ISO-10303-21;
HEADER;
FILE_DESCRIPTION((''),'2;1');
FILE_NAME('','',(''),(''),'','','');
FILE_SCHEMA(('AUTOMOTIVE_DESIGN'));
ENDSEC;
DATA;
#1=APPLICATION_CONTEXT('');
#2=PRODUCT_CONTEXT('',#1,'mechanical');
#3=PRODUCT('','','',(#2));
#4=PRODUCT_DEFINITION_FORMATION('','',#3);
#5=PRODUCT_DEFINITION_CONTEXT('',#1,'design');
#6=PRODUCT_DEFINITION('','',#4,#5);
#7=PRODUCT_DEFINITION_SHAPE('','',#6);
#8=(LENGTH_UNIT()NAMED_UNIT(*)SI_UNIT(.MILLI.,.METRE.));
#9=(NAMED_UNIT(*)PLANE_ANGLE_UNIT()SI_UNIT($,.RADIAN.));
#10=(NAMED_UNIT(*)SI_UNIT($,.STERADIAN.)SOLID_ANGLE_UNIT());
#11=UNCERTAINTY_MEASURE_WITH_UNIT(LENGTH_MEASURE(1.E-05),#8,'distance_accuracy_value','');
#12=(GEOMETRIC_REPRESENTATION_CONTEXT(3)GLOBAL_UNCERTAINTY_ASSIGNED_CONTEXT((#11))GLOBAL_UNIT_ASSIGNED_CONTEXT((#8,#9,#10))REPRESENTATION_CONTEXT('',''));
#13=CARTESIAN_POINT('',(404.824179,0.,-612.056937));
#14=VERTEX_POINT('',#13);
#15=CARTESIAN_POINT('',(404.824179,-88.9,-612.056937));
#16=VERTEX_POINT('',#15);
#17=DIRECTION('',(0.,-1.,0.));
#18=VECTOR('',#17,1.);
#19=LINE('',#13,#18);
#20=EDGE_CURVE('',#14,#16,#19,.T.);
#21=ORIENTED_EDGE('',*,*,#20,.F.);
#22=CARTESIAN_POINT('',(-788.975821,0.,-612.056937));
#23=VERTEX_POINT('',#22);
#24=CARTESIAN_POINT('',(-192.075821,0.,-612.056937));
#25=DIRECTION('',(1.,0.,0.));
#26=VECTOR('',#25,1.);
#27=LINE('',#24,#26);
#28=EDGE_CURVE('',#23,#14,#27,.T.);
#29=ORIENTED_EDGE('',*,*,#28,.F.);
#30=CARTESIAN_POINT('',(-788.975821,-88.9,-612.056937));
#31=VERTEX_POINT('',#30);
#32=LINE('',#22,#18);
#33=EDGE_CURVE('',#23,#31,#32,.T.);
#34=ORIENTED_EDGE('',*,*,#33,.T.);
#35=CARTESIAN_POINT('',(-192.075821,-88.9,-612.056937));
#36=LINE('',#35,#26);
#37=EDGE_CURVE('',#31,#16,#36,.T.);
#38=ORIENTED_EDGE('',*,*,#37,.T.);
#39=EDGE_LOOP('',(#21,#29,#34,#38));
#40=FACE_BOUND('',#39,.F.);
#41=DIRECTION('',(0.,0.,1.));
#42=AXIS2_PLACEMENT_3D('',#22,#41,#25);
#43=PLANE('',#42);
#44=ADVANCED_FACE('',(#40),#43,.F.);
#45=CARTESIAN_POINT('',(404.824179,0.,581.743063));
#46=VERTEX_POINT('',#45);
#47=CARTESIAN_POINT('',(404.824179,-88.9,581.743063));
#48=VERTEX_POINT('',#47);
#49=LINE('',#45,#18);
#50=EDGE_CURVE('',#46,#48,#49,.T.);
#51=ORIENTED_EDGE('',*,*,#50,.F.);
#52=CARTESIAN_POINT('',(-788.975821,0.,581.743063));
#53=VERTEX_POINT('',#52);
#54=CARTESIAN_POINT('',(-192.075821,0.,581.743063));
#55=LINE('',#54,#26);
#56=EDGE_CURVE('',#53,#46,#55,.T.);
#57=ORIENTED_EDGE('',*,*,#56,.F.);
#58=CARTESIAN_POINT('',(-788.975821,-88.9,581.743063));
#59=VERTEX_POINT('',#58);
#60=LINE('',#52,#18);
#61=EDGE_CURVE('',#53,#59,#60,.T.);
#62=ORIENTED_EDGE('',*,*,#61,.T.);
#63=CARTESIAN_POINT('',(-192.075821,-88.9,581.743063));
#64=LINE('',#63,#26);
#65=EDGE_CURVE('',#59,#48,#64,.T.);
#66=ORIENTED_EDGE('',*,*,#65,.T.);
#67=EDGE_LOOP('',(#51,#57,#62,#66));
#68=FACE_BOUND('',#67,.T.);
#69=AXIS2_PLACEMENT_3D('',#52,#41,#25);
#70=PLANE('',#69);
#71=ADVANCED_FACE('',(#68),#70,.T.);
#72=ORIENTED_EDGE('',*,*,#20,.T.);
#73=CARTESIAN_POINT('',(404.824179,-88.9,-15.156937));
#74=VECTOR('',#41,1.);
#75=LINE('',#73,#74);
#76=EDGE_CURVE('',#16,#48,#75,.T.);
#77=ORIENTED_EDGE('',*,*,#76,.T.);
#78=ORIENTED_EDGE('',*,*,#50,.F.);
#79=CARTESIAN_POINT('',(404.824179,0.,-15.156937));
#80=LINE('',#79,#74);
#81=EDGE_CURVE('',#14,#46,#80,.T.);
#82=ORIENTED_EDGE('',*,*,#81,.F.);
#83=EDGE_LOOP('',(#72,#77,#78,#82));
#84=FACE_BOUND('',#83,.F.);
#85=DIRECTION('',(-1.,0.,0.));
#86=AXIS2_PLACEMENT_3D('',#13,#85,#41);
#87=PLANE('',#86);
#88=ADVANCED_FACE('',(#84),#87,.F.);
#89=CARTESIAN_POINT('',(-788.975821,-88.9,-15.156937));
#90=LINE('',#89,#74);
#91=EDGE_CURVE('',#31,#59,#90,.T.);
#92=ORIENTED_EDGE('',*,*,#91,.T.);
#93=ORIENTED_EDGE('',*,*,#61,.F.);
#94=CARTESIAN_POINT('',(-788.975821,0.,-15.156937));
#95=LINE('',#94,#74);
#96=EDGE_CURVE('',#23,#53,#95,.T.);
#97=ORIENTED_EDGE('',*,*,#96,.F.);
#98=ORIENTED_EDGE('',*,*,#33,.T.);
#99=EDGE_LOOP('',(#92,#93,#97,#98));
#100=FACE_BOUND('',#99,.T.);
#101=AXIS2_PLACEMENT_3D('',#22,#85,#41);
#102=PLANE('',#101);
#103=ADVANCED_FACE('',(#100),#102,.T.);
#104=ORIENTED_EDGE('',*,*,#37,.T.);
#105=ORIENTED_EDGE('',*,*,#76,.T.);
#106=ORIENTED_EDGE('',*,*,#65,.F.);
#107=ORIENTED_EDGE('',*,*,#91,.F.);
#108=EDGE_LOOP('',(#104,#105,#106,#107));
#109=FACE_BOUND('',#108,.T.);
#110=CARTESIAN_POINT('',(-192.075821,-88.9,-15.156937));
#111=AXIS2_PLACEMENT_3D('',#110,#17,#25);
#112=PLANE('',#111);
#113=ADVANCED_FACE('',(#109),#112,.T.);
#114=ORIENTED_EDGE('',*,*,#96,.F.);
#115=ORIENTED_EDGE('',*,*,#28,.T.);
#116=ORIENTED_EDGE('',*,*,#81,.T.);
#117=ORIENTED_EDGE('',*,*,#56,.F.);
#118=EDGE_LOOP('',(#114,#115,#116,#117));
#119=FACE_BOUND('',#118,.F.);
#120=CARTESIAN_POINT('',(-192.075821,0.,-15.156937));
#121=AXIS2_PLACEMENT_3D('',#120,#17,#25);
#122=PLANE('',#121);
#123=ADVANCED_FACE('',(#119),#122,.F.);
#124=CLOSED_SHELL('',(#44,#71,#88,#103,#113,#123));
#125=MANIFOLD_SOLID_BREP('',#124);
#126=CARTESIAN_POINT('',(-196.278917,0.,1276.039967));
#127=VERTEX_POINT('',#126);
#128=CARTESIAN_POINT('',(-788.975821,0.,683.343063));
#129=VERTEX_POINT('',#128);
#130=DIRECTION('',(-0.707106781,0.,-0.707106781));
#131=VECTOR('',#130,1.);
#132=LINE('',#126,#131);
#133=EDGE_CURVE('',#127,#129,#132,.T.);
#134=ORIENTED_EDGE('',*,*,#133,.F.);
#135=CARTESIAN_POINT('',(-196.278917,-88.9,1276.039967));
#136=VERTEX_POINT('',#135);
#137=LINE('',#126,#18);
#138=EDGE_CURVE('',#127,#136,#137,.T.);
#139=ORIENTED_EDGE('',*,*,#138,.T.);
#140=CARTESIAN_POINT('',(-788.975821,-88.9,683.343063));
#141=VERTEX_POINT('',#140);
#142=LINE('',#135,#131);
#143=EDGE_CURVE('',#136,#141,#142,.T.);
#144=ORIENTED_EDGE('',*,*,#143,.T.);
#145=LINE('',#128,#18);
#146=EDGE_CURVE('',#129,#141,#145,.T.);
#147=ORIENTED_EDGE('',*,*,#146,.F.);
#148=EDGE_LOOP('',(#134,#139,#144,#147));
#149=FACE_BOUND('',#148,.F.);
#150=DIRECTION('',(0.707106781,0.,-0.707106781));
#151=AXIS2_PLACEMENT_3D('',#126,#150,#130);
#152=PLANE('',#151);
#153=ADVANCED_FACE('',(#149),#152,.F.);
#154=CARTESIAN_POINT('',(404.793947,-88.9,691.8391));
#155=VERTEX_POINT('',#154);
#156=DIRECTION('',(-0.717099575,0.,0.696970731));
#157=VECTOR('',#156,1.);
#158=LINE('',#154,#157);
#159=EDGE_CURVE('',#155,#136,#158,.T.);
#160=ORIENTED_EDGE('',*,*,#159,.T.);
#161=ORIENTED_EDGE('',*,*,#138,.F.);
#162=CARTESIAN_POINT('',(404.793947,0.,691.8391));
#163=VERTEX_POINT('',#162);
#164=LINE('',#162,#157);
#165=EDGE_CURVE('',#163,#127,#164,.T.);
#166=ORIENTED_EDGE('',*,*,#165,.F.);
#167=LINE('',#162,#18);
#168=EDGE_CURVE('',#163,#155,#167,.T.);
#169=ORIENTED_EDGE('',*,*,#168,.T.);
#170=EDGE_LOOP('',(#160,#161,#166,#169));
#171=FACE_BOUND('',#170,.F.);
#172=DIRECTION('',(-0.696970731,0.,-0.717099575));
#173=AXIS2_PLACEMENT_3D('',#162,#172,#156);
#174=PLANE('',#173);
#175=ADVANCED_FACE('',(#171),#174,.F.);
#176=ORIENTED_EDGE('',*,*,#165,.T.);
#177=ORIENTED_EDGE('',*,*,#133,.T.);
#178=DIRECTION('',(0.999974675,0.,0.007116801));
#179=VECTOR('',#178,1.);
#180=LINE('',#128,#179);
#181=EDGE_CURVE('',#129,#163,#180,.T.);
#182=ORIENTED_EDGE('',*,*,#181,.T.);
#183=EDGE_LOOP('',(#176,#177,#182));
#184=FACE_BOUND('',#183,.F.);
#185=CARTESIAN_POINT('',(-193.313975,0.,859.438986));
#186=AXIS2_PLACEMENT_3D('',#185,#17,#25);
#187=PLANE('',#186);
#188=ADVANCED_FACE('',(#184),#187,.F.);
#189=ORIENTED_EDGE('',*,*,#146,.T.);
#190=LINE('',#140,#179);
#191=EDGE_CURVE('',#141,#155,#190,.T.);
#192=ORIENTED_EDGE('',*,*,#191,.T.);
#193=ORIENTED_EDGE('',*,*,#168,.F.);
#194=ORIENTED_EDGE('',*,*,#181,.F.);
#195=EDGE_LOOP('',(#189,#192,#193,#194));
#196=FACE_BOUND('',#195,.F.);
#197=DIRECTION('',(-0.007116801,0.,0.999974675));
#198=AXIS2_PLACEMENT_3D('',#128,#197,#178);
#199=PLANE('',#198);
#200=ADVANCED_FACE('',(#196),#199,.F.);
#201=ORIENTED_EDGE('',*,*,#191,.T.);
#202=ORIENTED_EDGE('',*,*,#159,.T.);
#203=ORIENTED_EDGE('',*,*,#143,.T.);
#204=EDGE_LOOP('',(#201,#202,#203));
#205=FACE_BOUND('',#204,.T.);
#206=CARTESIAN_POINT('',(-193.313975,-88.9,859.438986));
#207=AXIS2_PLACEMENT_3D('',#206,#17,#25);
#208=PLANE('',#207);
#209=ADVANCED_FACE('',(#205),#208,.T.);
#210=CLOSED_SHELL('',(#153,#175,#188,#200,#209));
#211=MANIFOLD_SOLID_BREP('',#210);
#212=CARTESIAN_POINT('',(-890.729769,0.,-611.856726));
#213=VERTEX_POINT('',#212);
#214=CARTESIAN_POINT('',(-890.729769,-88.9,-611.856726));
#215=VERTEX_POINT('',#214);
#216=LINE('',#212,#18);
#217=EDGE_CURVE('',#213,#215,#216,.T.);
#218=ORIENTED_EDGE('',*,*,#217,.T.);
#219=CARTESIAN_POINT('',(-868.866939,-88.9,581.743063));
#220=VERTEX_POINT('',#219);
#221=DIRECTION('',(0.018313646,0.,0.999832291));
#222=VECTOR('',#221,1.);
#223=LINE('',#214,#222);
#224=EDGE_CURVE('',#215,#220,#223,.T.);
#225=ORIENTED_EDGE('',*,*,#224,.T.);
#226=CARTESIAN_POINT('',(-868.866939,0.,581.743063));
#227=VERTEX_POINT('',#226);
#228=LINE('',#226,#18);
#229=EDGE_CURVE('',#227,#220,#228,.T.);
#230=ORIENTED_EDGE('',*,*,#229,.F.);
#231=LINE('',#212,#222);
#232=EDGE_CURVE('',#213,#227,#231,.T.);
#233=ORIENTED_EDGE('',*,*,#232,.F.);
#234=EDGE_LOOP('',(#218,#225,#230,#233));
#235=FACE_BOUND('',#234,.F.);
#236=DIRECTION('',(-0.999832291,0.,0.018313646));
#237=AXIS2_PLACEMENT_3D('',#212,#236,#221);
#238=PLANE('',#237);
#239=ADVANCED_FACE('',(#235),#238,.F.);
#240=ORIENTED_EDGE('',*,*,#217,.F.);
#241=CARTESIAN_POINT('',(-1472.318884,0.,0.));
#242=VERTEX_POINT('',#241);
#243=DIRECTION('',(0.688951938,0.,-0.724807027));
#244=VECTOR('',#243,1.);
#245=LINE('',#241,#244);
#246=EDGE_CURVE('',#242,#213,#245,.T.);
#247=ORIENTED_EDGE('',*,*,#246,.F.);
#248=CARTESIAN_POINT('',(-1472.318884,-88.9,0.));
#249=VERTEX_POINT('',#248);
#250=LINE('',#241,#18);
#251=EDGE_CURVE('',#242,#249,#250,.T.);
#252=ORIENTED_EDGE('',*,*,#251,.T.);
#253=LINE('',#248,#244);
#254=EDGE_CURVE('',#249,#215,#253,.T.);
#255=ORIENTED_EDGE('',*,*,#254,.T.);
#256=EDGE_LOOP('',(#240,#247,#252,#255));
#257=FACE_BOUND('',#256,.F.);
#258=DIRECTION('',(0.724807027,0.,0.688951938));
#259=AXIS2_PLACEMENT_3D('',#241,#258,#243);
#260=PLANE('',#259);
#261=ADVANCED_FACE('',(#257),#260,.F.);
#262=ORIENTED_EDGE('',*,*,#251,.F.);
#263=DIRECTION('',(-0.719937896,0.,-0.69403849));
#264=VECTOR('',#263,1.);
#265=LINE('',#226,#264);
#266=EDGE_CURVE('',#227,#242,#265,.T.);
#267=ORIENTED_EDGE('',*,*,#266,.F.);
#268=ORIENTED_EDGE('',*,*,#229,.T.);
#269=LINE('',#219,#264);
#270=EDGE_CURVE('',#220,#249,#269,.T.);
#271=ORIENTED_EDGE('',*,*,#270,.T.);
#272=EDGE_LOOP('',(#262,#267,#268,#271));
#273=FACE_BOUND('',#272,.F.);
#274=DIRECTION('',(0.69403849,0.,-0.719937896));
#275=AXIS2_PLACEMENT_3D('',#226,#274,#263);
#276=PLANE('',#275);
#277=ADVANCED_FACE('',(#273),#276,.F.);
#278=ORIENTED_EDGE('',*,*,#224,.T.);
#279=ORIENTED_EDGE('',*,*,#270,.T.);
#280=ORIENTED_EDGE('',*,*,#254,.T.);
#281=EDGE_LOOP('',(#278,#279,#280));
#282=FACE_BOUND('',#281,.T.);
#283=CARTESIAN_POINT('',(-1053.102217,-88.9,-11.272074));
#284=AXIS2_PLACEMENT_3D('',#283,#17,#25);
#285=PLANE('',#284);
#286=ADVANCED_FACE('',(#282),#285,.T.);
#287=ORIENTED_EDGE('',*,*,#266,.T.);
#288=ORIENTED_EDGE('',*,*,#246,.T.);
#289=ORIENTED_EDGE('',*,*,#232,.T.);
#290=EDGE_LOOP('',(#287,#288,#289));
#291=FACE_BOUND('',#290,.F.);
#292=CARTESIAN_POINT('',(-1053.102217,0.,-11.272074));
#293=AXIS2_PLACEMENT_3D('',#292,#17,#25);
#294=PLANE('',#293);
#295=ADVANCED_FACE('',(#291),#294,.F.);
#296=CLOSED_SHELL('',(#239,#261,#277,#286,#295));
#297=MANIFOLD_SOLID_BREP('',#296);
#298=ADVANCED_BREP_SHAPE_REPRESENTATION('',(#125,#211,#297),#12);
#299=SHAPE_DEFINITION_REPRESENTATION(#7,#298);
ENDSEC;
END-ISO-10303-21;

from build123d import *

# Parameters (mm, degrees)
F0_W     = 1193.8
F0_H     = 1193.8
F1_DEPTH = 88.9
F3_DEPTH = 88.9
F5_DEPTH = 88.9


with BuildPart() as f1:
    # F0 (on Front) → F1 (new body)
    with BuildSketch(Plane.XZ):
        with Locations((-192.075821, -15.156937)):
            Rectangle(F0_W, F0_H)
    extrude(amount=F1_DEPTH)


with BuildPart() as f3:
    # F2 (on Front) → F3 (new body)
    with BuildSketch(Plane.XZ):
        Polygon((-890.729769, -611.856726), (-868.866939, 581.743063), (-1472.318884, 0), align=None)
    extrude(amount=F3_DEPTH)


with BuildPart() as f5:
    # F4 (on Front) → F5 (new body)
    with BuildSketch(Plane.XZ):
        Polygon((-788.975821, 683.343063), (404.793947, 691.8391), (-196.278917, 1276.039967), align=None)
    extrude(amount=F5_DEPTH)


solid = Compound([f1.part, f3.part, f5.part])
